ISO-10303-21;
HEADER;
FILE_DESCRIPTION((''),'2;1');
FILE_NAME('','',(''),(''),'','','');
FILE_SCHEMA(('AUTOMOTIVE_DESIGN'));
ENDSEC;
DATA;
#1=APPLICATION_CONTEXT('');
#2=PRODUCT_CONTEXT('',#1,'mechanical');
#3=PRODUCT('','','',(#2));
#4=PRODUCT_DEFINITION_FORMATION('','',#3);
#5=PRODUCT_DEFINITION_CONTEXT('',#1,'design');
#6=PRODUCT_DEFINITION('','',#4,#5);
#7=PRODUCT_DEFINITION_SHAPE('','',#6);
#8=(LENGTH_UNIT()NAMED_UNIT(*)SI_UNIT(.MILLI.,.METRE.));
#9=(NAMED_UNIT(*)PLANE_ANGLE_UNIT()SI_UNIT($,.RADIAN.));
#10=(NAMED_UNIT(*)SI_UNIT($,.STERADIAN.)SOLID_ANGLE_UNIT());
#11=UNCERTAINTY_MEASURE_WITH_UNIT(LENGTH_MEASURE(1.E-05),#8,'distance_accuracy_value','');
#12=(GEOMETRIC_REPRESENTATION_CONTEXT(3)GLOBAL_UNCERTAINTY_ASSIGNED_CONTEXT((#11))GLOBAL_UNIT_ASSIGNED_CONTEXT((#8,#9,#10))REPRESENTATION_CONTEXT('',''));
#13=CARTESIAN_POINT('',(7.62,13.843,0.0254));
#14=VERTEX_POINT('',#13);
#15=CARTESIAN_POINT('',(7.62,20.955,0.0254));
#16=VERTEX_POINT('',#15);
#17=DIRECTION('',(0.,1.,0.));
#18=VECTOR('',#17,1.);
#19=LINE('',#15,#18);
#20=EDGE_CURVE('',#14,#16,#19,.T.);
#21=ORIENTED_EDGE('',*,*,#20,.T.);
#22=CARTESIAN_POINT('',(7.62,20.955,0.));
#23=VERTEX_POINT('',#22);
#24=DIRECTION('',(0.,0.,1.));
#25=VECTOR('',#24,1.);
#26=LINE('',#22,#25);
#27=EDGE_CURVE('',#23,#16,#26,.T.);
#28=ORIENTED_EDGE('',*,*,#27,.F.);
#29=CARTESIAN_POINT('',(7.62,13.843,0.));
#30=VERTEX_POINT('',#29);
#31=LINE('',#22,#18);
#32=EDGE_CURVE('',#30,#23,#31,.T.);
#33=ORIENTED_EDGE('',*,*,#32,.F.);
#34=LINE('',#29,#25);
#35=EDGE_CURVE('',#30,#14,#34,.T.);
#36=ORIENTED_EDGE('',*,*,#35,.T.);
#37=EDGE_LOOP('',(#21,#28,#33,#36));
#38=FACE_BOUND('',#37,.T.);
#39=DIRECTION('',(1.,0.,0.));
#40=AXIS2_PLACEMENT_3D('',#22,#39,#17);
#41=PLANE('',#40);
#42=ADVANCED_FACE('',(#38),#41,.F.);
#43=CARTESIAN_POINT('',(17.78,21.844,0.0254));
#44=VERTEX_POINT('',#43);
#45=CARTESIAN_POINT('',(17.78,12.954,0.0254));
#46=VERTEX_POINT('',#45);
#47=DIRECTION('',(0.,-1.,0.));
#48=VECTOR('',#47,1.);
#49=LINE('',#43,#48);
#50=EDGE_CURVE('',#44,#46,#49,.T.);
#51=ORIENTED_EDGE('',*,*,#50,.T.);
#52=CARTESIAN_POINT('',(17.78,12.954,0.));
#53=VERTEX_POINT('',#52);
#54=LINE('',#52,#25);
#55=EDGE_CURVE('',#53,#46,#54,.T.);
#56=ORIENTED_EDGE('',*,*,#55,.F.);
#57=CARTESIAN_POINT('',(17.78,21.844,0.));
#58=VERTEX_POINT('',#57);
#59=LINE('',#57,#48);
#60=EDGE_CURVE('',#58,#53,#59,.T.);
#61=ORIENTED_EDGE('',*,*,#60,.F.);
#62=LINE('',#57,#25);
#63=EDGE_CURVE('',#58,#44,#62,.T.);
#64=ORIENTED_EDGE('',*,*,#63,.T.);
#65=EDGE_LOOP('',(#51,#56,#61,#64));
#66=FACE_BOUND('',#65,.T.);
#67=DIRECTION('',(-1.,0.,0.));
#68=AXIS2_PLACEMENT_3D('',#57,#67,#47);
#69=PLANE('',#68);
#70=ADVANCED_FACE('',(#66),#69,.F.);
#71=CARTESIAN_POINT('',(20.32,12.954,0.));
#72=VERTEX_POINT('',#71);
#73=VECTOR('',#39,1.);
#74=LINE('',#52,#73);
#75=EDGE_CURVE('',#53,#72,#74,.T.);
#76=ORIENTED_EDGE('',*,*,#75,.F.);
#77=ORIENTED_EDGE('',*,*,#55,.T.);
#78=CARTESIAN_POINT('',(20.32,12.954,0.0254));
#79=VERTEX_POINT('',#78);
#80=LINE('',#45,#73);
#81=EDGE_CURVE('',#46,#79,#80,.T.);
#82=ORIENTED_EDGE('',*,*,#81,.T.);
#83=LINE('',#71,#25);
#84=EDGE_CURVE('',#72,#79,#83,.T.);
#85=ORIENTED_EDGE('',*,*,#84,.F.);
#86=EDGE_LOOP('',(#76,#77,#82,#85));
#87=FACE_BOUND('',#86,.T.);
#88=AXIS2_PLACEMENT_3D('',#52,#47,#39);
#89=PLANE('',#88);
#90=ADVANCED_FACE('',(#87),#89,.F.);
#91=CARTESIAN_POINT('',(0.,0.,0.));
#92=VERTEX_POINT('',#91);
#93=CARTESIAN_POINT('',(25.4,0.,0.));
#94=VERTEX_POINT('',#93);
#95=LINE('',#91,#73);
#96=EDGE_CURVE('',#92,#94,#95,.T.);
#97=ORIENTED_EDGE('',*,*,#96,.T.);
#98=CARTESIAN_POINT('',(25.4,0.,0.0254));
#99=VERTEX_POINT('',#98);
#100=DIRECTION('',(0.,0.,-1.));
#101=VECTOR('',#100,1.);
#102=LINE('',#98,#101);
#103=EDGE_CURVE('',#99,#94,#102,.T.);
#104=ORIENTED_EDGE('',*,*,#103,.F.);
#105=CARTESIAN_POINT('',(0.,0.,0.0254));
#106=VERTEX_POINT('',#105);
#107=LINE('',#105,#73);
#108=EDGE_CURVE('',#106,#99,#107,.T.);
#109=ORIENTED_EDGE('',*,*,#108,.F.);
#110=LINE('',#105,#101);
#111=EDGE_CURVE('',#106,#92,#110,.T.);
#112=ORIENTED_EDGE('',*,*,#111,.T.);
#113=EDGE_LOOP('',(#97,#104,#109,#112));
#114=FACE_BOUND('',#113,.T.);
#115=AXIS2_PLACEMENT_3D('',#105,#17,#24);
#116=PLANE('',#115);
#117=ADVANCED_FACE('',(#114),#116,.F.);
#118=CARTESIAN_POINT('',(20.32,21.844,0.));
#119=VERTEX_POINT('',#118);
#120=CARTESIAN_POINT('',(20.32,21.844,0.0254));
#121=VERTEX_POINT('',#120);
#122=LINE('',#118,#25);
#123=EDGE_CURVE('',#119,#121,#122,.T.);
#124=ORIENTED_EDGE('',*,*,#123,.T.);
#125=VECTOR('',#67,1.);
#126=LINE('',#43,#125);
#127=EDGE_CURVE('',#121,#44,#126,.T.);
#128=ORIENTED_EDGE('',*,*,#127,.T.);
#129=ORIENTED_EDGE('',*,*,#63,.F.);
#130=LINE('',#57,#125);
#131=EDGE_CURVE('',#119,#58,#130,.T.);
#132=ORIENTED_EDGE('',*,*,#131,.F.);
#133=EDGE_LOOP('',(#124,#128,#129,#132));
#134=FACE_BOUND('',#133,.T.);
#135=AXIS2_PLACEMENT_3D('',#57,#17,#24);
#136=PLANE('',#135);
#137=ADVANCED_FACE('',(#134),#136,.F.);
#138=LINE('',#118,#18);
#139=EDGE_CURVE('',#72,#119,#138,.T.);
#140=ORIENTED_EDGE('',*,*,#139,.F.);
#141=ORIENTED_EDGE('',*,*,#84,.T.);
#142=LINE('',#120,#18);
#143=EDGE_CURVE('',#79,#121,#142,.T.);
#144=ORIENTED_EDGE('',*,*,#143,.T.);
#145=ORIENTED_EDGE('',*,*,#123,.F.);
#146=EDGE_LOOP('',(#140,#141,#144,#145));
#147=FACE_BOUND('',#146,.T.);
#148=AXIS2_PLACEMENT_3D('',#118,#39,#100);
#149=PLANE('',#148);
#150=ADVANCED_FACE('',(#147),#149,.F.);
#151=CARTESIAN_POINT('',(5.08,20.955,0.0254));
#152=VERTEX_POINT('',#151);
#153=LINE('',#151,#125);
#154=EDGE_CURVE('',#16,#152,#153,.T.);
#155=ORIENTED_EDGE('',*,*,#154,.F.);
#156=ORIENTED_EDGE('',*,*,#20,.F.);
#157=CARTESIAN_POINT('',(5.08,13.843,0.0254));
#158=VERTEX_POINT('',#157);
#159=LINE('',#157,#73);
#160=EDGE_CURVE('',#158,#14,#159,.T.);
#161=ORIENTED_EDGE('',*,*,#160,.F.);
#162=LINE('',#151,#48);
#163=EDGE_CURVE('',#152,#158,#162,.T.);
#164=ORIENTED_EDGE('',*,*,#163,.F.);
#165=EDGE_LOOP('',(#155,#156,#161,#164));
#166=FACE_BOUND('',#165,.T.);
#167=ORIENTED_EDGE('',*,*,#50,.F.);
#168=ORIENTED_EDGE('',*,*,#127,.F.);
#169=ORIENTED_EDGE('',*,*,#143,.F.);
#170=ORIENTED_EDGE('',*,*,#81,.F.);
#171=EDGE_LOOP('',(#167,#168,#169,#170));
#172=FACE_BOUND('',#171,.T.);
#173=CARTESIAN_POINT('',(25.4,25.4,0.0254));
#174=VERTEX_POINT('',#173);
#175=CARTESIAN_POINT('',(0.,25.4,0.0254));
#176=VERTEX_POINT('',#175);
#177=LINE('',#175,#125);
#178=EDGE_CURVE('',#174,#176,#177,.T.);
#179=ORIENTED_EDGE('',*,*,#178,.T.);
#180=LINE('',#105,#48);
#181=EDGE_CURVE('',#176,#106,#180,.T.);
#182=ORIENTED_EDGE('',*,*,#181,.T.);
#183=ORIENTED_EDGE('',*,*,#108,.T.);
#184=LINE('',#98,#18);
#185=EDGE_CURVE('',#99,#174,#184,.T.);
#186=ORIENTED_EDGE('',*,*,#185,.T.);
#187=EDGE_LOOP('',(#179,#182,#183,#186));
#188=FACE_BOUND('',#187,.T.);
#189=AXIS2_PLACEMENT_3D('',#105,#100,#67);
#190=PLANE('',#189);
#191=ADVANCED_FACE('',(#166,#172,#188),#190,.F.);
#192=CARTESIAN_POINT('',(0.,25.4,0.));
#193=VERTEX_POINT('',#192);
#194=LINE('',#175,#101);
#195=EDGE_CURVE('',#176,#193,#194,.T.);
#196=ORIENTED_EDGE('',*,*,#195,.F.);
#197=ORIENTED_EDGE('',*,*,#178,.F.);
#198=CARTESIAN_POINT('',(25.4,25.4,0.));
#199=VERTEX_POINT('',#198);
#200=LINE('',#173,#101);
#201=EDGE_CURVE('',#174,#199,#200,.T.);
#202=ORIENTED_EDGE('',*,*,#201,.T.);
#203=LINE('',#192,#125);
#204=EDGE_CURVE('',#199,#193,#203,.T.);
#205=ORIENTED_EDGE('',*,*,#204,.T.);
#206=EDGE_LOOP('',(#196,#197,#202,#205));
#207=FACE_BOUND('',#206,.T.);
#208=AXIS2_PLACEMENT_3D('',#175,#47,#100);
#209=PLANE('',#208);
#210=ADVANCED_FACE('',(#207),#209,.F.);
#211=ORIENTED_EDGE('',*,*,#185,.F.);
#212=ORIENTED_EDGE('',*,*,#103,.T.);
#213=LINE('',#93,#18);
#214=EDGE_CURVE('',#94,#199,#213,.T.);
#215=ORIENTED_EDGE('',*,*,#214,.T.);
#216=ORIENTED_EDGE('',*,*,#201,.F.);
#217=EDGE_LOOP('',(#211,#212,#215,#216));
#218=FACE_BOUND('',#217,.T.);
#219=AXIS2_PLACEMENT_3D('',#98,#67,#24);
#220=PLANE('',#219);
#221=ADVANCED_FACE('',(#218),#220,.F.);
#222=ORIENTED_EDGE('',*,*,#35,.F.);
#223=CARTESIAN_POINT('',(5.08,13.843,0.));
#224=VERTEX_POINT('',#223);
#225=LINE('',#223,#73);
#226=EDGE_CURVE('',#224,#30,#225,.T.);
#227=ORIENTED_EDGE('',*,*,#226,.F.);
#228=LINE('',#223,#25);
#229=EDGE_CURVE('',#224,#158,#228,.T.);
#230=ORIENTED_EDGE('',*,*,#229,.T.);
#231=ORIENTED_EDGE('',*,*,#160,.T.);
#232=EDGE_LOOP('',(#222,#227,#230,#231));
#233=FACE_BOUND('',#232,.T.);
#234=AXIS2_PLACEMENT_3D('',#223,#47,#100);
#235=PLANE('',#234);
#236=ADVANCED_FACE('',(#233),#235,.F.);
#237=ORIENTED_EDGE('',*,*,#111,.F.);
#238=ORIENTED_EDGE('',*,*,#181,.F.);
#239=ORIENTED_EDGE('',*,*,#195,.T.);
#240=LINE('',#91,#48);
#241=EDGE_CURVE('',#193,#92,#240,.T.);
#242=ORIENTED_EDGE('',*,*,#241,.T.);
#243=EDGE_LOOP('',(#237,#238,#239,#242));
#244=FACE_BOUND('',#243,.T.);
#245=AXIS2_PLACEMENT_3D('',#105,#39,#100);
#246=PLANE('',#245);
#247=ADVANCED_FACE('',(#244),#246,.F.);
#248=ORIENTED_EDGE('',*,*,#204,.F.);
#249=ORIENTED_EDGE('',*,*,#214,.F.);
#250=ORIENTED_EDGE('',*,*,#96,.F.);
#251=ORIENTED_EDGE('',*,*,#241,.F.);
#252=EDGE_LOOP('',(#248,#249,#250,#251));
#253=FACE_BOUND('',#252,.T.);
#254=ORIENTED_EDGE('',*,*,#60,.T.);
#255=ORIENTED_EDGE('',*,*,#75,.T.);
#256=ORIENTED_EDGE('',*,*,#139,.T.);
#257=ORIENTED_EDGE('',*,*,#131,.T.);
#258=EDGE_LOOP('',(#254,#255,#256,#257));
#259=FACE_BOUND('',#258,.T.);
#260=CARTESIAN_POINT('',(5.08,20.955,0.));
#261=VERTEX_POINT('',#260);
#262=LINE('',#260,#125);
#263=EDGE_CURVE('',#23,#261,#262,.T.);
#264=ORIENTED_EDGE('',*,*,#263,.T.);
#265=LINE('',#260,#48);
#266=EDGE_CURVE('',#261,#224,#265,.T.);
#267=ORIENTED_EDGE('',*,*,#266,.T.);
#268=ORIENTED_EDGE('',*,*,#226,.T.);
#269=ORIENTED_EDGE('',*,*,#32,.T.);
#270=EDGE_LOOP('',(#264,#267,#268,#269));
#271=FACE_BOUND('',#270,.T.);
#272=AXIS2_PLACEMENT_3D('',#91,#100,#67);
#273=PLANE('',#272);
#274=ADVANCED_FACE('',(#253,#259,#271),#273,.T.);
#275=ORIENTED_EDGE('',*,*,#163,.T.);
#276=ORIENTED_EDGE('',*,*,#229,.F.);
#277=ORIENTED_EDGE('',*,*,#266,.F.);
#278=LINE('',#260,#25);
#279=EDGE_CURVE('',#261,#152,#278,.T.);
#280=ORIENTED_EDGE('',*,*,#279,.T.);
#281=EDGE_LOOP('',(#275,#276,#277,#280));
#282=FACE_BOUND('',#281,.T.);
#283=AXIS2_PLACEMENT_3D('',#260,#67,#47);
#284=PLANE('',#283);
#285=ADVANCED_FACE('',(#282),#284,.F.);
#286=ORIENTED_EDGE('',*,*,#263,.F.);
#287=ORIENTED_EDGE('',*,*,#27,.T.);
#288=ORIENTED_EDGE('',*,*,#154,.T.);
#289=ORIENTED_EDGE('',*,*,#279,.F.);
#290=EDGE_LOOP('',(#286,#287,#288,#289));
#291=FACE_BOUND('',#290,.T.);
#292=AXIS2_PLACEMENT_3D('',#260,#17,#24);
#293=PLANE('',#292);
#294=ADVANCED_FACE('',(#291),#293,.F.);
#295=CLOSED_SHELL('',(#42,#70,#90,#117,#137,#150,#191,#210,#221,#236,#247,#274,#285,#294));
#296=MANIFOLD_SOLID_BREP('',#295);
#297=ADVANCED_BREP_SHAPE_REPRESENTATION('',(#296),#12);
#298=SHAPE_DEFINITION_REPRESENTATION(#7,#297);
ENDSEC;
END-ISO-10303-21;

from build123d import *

# Parameters (mm, degrees)
SKETCH1_W           = 25.4
SKETCH1_H           = 25.4
BOSS_EXTRUDE1_DEPTH = 0.0254
SKETCH2_W           = 2.54
SKETCH2_H           = 7.112
SKETCH2_H_2         = 8.89
CUT_EXTRUDE1_DEPTH  = 36.921033465


with BuildPart() as part:
    # Sketch1 → Boss-Extrude1 (new body)
    with BuildSketch(Plane.XY):
        with Locations((12.7, 12.7)):
            Rectangle(SKETCH1_W, SKETCH1_H)
    extrude(amount=BOSS_EXTRUDE1_DEPTH)

    # Sketch2 → Cut-Extrude1 (cut, through all)
    with BuildSketch(Plane.XY.offset(0.0254)):
        with Locations((6.35, 17.399)):
            Rectangle(SKETCH2_W, SKETCH2_H)
        with Locations((19.05, 17.399)):
            Rectangle(SKETCH2_W, SKETCH2_H_2)
    extrude(amount=-CUT_EXTRUDE1_DEPTH, mode=Mode.SUBTRACT)


solid = part.part
